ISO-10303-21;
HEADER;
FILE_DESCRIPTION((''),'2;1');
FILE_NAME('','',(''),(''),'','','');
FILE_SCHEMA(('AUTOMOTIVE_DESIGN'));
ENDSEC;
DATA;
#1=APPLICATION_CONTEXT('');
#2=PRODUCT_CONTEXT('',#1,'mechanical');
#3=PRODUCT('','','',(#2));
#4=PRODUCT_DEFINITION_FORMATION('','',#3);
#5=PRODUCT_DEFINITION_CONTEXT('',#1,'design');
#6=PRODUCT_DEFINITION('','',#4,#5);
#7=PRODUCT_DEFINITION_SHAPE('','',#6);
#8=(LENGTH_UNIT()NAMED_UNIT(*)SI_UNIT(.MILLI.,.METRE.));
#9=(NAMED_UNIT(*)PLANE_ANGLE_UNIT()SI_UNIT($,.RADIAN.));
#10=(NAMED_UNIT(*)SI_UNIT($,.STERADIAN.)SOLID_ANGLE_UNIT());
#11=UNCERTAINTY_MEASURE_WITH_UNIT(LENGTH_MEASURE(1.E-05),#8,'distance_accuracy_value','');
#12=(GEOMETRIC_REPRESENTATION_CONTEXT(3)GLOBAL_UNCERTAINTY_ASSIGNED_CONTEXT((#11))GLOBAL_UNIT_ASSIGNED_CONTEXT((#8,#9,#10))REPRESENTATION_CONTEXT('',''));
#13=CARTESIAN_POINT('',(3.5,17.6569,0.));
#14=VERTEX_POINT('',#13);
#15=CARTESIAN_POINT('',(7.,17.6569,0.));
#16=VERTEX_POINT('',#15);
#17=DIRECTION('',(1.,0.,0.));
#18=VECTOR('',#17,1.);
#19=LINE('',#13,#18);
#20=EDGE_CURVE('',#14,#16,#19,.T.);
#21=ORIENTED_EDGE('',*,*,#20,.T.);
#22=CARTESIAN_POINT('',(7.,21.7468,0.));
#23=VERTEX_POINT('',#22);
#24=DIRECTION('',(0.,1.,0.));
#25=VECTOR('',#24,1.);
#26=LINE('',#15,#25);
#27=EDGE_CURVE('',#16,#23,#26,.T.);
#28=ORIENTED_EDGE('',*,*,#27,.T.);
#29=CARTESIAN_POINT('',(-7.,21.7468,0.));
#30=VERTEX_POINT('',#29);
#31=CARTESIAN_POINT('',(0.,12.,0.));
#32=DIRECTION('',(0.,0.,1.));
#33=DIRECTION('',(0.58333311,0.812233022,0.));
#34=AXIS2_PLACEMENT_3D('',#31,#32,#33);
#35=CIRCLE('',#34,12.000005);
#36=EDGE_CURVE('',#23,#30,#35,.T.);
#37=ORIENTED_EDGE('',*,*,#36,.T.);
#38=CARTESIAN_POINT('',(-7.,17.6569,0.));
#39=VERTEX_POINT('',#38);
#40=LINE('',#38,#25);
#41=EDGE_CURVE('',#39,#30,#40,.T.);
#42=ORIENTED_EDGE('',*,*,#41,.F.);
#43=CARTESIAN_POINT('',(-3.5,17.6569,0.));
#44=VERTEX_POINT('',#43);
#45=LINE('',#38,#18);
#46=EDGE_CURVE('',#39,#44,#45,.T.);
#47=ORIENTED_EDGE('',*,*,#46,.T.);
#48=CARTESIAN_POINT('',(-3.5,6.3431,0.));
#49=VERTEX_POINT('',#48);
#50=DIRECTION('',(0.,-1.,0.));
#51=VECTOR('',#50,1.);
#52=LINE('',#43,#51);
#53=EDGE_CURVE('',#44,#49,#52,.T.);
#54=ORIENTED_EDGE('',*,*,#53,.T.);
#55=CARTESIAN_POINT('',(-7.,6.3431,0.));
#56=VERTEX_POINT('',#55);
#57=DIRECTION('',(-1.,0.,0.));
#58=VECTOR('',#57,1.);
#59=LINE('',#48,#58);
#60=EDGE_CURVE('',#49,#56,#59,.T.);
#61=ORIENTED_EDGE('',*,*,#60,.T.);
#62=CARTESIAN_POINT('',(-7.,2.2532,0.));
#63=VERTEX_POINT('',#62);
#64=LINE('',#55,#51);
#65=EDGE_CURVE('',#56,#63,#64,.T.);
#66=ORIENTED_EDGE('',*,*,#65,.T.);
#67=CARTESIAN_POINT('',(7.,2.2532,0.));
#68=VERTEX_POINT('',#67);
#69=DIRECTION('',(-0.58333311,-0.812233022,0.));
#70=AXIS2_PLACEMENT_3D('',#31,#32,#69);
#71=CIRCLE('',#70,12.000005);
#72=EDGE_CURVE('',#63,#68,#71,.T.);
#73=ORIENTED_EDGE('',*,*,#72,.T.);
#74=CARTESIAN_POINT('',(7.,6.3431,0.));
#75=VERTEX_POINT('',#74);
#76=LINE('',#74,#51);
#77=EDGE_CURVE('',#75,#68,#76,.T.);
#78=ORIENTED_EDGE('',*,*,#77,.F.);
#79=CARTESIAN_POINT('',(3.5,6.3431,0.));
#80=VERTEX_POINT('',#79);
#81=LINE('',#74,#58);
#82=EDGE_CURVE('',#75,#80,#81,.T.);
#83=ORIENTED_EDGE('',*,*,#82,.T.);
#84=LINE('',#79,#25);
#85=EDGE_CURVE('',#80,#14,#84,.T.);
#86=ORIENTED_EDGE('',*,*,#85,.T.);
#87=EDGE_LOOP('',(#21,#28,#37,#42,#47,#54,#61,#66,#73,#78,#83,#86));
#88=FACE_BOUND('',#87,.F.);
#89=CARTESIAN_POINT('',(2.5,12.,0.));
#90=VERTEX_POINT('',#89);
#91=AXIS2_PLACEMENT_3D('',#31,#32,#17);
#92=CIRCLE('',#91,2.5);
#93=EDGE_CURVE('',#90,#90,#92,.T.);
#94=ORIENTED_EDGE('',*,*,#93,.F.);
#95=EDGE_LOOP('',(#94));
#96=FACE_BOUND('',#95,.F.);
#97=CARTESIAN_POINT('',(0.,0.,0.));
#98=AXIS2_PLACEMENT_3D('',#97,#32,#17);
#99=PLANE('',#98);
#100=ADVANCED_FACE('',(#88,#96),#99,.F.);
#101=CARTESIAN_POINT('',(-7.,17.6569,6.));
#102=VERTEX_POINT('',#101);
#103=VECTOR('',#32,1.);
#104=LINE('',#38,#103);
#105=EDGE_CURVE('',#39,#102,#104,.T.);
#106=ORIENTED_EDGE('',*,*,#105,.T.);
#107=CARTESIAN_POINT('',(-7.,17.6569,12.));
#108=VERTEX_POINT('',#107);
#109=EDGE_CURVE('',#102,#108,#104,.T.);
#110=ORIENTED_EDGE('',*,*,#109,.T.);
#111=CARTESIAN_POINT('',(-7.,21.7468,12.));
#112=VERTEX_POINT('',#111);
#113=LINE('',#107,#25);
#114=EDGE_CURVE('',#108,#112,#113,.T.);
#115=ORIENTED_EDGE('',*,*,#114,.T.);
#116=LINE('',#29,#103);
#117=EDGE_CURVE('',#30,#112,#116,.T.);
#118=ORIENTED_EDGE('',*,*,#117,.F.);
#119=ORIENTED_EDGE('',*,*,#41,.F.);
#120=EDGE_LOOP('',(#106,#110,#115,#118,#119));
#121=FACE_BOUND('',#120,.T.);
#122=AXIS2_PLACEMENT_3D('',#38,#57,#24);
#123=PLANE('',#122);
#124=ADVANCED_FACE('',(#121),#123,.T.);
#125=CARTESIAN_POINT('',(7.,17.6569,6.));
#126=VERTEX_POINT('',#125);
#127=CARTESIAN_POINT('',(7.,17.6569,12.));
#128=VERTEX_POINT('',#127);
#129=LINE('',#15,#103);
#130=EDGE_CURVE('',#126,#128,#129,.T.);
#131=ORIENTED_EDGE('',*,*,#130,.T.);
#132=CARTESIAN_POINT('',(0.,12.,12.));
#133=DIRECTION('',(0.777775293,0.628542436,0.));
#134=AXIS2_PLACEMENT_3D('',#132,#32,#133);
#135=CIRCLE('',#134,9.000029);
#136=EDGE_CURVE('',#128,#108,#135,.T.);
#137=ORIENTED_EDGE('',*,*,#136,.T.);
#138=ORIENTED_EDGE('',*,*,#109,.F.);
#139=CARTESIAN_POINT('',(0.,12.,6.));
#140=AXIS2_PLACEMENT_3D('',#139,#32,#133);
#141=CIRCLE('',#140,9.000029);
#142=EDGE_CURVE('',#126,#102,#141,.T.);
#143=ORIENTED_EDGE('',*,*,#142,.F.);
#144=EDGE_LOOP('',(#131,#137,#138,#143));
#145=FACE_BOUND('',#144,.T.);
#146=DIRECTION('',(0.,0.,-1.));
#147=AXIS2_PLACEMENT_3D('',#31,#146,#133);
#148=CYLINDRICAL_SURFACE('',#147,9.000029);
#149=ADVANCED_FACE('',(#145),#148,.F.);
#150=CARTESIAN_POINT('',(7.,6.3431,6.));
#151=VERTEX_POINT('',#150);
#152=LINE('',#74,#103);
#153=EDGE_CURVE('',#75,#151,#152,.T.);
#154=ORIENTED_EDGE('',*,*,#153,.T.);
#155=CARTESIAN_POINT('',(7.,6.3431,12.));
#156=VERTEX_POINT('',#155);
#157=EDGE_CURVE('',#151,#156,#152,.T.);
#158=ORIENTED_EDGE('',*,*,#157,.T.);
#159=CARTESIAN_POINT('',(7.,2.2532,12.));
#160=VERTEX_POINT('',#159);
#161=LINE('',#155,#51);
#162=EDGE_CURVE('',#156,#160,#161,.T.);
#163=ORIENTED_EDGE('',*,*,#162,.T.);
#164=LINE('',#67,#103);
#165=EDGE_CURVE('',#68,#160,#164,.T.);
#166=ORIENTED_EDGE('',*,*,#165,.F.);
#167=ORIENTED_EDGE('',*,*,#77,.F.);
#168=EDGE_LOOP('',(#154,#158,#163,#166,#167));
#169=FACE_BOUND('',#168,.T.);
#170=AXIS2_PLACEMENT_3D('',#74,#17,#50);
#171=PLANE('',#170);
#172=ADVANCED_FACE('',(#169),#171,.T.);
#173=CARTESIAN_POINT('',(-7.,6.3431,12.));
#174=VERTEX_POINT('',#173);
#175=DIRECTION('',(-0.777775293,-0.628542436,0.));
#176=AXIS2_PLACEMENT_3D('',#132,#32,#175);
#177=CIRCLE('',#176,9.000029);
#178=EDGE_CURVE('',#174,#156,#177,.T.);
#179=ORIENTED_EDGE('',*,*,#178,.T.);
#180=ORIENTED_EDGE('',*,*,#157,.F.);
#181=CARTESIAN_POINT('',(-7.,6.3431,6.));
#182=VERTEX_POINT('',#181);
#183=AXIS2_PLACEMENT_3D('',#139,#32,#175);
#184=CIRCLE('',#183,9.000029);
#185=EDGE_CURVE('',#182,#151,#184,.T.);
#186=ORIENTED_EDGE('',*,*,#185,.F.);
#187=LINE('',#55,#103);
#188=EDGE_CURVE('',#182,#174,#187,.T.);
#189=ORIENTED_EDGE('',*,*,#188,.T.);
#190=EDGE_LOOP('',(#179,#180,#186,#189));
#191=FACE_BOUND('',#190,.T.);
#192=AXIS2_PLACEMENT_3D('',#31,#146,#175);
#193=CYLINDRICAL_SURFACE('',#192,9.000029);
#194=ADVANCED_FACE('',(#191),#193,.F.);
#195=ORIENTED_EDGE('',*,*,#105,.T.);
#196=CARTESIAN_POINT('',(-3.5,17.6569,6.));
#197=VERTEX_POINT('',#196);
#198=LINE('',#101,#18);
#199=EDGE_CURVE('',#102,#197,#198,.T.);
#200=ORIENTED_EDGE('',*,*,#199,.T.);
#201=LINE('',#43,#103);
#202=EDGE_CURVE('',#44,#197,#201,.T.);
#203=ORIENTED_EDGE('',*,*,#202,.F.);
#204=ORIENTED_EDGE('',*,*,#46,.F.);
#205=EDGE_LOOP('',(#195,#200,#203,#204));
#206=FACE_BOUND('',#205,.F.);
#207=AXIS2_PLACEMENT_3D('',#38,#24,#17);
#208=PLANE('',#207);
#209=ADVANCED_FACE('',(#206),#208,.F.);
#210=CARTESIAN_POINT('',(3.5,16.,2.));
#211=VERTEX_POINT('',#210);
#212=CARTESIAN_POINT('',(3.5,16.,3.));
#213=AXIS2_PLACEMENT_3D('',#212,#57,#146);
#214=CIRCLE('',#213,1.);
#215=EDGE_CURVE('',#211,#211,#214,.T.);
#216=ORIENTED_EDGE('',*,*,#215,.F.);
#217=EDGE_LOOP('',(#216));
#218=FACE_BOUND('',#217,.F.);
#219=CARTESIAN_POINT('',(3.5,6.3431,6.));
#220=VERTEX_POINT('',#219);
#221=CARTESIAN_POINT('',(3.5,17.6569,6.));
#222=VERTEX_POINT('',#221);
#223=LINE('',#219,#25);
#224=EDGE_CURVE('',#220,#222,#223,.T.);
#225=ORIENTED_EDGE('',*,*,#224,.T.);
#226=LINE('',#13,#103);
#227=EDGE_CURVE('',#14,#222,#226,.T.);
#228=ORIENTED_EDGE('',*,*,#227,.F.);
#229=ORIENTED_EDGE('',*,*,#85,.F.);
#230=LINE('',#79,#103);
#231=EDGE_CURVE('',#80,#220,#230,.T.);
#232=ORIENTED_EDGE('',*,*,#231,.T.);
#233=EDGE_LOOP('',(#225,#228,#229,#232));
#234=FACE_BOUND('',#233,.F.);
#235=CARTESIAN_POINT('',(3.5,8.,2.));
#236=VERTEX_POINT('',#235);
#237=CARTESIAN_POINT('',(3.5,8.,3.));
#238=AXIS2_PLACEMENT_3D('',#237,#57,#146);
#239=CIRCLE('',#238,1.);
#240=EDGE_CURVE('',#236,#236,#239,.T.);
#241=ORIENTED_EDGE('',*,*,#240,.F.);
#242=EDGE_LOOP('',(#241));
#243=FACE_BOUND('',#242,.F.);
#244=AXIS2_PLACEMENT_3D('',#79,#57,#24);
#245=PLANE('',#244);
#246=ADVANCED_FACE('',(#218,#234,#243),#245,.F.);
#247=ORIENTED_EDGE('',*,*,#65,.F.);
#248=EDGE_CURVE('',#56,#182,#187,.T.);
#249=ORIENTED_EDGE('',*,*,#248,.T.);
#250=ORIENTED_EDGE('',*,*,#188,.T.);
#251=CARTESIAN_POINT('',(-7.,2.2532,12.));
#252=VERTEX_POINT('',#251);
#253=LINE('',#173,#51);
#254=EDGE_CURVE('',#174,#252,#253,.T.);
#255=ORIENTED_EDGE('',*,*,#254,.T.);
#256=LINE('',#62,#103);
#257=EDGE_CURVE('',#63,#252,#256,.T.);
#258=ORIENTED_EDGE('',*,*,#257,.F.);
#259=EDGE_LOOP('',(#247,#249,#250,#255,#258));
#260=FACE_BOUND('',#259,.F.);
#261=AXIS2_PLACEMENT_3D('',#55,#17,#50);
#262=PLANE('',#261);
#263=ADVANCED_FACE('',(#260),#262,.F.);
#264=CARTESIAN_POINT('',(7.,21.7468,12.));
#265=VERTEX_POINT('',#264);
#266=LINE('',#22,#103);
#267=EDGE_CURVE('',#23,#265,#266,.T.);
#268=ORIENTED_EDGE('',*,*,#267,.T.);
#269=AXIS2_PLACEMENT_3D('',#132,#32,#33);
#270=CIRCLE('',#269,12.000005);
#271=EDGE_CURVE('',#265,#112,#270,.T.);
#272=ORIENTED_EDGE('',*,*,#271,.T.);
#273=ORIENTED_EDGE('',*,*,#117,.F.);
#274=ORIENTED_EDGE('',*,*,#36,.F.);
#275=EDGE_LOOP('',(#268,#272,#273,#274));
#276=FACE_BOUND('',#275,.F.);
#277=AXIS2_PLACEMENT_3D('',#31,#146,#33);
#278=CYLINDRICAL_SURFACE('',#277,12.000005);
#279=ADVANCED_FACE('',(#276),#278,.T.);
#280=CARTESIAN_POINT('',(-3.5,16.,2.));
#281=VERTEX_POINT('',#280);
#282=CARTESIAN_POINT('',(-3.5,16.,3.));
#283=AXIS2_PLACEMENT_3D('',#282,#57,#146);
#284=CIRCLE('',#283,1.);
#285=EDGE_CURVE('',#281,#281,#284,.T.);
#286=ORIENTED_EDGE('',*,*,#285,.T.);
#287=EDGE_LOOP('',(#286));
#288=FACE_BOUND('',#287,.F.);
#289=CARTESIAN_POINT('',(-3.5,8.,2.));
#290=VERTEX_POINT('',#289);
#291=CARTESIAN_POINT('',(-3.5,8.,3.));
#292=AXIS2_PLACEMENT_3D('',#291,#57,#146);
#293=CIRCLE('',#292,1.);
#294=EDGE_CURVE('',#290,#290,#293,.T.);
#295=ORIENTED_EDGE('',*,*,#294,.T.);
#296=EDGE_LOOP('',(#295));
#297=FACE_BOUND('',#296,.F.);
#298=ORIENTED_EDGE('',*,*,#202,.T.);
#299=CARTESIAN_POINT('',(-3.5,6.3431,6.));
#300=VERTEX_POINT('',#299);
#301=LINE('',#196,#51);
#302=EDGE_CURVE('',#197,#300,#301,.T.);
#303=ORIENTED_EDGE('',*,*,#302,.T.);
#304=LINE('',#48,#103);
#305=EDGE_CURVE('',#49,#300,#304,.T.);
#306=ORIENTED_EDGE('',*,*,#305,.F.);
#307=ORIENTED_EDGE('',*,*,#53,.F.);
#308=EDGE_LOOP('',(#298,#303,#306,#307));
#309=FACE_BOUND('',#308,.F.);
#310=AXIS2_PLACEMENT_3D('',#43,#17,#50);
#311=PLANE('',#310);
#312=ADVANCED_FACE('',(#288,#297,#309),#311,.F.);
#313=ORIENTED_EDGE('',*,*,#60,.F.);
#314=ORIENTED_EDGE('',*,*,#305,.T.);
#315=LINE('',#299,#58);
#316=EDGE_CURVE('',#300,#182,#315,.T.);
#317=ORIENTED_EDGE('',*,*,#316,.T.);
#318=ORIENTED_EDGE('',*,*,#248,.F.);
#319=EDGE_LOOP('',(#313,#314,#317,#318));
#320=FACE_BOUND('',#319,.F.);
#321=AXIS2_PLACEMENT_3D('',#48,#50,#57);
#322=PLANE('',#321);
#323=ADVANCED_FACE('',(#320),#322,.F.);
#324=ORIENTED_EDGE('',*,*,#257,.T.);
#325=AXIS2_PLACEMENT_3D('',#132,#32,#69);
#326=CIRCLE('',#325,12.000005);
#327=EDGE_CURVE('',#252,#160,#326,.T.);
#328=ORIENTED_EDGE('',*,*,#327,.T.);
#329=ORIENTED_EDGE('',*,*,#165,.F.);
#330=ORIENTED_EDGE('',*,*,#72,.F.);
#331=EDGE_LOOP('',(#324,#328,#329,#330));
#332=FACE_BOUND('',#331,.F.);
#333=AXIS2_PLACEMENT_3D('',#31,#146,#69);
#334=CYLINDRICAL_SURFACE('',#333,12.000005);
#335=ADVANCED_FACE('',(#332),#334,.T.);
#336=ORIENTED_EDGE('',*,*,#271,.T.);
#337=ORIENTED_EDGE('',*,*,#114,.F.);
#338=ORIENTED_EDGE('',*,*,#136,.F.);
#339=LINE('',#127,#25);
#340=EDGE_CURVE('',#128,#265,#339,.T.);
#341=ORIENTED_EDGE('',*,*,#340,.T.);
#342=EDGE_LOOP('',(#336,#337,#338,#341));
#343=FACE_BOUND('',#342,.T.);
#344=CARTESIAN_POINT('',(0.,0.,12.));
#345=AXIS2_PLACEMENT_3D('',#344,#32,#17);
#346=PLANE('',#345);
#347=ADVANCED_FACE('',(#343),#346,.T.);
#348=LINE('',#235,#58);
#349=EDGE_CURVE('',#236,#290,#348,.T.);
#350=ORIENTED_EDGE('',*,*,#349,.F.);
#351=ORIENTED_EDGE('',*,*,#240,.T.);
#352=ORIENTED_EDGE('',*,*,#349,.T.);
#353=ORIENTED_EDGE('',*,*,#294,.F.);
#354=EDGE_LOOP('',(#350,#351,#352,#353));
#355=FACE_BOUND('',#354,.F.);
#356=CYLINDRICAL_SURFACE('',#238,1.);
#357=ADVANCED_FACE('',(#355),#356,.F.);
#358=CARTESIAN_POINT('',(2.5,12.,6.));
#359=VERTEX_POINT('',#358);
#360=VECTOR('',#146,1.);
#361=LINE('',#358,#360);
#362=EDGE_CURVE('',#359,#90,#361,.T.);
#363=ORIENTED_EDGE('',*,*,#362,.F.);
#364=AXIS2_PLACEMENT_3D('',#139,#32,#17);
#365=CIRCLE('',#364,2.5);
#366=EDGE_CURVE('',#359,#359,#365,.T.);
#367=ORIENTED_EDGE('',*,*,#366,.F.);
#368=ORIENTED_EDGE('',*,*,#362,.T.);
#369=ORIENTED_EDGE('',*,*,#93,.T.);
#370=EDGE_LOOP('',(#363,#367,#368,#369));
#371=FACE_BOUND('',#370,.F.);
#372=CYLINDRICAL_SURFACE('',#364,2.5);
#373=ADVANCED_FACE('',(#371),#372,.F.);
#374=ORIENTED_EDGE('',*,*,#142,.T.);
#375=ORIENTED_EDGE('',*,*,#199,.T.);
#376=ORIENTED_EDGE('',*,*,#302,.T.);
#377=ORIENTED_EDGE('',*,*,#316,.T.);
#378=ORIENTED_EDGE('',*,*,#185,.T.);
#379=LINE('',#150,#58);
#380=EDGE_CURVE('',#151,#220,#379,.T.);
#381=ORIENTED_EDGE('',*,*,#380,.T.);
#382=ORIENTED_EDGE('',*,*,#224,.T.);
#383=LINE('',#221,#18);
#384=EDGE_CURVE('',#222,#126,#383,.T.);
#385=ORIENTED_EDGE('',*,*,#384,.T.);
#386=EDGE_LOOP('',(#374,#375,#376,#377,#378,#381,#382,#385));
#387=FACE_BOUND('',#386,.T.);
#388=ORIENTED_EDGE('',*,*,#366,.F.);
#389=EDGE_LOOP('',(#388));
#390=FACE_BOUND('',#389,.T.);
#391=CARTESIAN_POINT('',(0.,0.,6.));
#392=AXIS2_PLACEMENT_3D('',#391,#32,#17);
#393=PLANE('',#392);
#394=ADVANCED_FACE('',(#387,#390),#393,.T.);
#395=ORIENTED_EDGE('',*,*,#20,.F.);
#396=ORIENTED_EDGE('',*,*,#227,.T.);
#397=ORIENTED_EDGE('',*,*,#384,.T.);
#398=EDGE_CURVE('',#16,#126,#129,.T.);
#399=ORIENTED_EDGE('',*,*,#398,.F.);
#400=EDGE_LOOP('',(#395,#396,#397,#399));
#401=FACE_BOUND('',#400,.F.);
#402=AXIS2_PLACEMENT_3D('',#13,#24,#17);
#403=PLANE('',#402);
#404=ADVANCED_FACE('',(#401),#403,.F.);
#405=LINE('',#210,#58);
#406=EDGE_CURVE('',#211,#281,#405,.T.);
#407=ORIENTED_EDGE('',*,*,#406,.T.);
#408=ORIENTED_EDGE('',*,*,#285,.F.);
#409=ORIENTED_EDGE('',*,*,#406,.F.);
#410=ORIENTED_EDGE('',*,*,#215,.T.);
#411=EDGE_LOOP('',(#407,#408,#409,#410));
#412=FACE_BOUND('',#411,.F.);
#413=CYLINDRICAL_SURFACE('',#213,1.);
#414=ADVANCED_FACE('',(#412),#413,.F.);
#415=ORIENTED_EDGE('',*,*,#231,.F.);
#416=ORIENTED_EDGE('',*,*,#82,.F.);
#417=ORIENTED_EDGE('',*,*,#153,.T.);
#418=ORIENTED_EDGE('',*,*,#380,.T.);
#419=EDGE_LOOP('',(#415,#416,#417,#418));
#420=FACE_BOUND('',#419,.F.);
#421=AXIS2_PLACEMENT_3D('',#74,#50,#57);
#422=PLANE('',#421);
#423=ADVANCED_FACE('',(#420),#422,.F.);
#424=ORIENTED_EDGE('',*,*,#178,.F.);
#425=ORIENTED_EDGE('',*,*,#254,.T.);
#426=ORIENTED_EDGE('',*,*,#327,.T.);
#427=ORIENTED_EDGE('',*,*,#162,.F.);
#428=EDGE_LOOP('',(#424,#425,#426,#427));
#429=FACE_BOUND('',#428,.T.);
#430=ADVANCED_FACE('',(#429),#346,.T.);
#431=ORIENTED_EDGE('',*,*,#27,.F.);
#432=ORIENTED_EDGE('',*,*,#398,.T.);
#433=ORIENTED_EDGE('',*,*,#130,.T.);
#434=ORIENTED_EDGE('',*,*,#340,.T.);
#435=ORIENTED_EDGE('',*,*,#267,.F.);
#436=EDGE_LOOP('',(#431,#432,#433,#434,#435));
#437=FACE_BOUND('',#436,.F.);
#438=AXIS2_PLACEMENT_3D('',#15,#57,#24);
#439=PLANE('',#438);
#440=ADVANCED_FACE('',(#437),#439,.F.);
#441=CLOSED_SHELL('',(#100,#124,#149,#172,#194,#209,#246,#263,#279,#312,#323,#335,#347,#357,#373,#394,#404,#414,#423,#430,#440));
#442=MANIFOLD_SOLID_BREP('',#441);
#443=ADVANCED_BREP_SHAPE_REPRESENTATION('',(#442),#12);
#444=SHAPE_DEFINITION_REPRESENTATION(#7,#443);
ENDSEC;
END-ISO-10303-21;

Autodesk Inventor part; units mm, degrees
ref_plane "YZ Plane" through (0, 0, 0) normal (1, 0, 0) x (0, 1, 0)
ref_plane "XZ Plane" through (0, 0, 0) normal (0, 1, 0) x (-1, 0, 0)
ref_plane "XY Plane" through (0, 0, 0) normal (0, 0, 1) x (1, 0, 0)
sketch "Sketch1" plane through (0, 0, 0) normal (0, 0, 1) x (1, 0, 0)
  arc A0 (7, 17.6569) -> (-7, 17.6569) centre (0, 12) ccw
  arc A1 (7, 21.7468) -> (-7, 21.7468) centre (0, 12) ccw
  line L0 (-7, 17.6569) -> (-7, 21.7468)
  line L1 (7, 17.6569) -> (7, 21.7468)
  line L2 (-7, 17.6569) -> (-3.5, 17.6569)
  line L3 (-3.5, 17.6569) -> (-3.5, 6.3431)
  line L4 (-3.5, 6.3431) -> (-7, 6.3431)
  line L5 (-7, 6.3431) -> (-7, 2.2532)
  arc A2 (-7, 2.2532) -> (7, 2.2532) centre (0, 12) ccw
  arc A3 (-7, 6.3431) -> (7, 6.3431) centre (0, 12) ccw
  line L6 (7, 6.3431) -> (7, 2.2532)
  line L7 (7, 6.3431) -> (3.5, 6.3431)
  line L8 (3.5, 6.3431) -> (3.5, 17.6569)
  line L9 (3.5, 17.6569) -> (7, 17.6569)
  line L10 (0, 0) -> (0, 24) construction
  line L11 (-10.3169, 12) -> (3.5, 12) construction
  point P0 (0, 3)
  dimension "d4" = 24
  dimension "d5" = 12
  dimension "d6" = 14
  dimension "d7" = 9
  dimension "d8" = 3.5
  dimension "d9" = 12
  dimension "d10" = 7
  dimension "d11" = 3.5
  dimension "d12" = 9
  dimension "d13" = 12
extrude "Extrusion1" add sketch "Sketch1" along normal blind 6 contours L9 L8 L7 A3 L4 L3 L2 A0
extrude "Extrusion2" add sketch "Sketch1" along normal blind 12 contours A0 L0 A1 L1 | L6 A2 L5 A3
sketch "Sketch2" plane through (0, 0, 6) normal (0, 0, 1) x (1, 0, 0)
  circle A0 centre (0, 12) radius 2.5
  arc A1 (-7, 2.2532) -> (7, 2.2532) centre (0, 12) ccw projected
  point P0 (0, 0)
  point P1 (0, 0)
  point P2 (0, 0)
  dimension "d18" = 12
  dimension "d19" = 5
extrude "Extrusion3" cut sketch "Sketch2" against normal up to surface (6 mm away)
thread "Thread1" size "M5x0.8" class "6H" standard "ISO Metric profile" full length
sketch "Sketch3" plane through (3.5, 6.3431, 0) normal (1, 0, 0) x (0, 0, -1)
  line L0 (0, 0) -> (0, 11.3137) projected
  point P0 (0, -6.3431)
  point P1 (-3, 1.6569)
  point P2 (-3, 9.6569)
  point P3 (0, 5.6569)
  dimension "d24" = 3
  dimension "d25" = 8
  dimension "d26" = 4
hole "Hole1" at (3.5, 8, 3) at (3.5, 16, 3) direction (-1, 0, 0) diameter 2 depth 7
equation "\"d9\" = 0.5 * d4"
equation "\"d26\" = 0.5 * d25"
properties part number "42"
